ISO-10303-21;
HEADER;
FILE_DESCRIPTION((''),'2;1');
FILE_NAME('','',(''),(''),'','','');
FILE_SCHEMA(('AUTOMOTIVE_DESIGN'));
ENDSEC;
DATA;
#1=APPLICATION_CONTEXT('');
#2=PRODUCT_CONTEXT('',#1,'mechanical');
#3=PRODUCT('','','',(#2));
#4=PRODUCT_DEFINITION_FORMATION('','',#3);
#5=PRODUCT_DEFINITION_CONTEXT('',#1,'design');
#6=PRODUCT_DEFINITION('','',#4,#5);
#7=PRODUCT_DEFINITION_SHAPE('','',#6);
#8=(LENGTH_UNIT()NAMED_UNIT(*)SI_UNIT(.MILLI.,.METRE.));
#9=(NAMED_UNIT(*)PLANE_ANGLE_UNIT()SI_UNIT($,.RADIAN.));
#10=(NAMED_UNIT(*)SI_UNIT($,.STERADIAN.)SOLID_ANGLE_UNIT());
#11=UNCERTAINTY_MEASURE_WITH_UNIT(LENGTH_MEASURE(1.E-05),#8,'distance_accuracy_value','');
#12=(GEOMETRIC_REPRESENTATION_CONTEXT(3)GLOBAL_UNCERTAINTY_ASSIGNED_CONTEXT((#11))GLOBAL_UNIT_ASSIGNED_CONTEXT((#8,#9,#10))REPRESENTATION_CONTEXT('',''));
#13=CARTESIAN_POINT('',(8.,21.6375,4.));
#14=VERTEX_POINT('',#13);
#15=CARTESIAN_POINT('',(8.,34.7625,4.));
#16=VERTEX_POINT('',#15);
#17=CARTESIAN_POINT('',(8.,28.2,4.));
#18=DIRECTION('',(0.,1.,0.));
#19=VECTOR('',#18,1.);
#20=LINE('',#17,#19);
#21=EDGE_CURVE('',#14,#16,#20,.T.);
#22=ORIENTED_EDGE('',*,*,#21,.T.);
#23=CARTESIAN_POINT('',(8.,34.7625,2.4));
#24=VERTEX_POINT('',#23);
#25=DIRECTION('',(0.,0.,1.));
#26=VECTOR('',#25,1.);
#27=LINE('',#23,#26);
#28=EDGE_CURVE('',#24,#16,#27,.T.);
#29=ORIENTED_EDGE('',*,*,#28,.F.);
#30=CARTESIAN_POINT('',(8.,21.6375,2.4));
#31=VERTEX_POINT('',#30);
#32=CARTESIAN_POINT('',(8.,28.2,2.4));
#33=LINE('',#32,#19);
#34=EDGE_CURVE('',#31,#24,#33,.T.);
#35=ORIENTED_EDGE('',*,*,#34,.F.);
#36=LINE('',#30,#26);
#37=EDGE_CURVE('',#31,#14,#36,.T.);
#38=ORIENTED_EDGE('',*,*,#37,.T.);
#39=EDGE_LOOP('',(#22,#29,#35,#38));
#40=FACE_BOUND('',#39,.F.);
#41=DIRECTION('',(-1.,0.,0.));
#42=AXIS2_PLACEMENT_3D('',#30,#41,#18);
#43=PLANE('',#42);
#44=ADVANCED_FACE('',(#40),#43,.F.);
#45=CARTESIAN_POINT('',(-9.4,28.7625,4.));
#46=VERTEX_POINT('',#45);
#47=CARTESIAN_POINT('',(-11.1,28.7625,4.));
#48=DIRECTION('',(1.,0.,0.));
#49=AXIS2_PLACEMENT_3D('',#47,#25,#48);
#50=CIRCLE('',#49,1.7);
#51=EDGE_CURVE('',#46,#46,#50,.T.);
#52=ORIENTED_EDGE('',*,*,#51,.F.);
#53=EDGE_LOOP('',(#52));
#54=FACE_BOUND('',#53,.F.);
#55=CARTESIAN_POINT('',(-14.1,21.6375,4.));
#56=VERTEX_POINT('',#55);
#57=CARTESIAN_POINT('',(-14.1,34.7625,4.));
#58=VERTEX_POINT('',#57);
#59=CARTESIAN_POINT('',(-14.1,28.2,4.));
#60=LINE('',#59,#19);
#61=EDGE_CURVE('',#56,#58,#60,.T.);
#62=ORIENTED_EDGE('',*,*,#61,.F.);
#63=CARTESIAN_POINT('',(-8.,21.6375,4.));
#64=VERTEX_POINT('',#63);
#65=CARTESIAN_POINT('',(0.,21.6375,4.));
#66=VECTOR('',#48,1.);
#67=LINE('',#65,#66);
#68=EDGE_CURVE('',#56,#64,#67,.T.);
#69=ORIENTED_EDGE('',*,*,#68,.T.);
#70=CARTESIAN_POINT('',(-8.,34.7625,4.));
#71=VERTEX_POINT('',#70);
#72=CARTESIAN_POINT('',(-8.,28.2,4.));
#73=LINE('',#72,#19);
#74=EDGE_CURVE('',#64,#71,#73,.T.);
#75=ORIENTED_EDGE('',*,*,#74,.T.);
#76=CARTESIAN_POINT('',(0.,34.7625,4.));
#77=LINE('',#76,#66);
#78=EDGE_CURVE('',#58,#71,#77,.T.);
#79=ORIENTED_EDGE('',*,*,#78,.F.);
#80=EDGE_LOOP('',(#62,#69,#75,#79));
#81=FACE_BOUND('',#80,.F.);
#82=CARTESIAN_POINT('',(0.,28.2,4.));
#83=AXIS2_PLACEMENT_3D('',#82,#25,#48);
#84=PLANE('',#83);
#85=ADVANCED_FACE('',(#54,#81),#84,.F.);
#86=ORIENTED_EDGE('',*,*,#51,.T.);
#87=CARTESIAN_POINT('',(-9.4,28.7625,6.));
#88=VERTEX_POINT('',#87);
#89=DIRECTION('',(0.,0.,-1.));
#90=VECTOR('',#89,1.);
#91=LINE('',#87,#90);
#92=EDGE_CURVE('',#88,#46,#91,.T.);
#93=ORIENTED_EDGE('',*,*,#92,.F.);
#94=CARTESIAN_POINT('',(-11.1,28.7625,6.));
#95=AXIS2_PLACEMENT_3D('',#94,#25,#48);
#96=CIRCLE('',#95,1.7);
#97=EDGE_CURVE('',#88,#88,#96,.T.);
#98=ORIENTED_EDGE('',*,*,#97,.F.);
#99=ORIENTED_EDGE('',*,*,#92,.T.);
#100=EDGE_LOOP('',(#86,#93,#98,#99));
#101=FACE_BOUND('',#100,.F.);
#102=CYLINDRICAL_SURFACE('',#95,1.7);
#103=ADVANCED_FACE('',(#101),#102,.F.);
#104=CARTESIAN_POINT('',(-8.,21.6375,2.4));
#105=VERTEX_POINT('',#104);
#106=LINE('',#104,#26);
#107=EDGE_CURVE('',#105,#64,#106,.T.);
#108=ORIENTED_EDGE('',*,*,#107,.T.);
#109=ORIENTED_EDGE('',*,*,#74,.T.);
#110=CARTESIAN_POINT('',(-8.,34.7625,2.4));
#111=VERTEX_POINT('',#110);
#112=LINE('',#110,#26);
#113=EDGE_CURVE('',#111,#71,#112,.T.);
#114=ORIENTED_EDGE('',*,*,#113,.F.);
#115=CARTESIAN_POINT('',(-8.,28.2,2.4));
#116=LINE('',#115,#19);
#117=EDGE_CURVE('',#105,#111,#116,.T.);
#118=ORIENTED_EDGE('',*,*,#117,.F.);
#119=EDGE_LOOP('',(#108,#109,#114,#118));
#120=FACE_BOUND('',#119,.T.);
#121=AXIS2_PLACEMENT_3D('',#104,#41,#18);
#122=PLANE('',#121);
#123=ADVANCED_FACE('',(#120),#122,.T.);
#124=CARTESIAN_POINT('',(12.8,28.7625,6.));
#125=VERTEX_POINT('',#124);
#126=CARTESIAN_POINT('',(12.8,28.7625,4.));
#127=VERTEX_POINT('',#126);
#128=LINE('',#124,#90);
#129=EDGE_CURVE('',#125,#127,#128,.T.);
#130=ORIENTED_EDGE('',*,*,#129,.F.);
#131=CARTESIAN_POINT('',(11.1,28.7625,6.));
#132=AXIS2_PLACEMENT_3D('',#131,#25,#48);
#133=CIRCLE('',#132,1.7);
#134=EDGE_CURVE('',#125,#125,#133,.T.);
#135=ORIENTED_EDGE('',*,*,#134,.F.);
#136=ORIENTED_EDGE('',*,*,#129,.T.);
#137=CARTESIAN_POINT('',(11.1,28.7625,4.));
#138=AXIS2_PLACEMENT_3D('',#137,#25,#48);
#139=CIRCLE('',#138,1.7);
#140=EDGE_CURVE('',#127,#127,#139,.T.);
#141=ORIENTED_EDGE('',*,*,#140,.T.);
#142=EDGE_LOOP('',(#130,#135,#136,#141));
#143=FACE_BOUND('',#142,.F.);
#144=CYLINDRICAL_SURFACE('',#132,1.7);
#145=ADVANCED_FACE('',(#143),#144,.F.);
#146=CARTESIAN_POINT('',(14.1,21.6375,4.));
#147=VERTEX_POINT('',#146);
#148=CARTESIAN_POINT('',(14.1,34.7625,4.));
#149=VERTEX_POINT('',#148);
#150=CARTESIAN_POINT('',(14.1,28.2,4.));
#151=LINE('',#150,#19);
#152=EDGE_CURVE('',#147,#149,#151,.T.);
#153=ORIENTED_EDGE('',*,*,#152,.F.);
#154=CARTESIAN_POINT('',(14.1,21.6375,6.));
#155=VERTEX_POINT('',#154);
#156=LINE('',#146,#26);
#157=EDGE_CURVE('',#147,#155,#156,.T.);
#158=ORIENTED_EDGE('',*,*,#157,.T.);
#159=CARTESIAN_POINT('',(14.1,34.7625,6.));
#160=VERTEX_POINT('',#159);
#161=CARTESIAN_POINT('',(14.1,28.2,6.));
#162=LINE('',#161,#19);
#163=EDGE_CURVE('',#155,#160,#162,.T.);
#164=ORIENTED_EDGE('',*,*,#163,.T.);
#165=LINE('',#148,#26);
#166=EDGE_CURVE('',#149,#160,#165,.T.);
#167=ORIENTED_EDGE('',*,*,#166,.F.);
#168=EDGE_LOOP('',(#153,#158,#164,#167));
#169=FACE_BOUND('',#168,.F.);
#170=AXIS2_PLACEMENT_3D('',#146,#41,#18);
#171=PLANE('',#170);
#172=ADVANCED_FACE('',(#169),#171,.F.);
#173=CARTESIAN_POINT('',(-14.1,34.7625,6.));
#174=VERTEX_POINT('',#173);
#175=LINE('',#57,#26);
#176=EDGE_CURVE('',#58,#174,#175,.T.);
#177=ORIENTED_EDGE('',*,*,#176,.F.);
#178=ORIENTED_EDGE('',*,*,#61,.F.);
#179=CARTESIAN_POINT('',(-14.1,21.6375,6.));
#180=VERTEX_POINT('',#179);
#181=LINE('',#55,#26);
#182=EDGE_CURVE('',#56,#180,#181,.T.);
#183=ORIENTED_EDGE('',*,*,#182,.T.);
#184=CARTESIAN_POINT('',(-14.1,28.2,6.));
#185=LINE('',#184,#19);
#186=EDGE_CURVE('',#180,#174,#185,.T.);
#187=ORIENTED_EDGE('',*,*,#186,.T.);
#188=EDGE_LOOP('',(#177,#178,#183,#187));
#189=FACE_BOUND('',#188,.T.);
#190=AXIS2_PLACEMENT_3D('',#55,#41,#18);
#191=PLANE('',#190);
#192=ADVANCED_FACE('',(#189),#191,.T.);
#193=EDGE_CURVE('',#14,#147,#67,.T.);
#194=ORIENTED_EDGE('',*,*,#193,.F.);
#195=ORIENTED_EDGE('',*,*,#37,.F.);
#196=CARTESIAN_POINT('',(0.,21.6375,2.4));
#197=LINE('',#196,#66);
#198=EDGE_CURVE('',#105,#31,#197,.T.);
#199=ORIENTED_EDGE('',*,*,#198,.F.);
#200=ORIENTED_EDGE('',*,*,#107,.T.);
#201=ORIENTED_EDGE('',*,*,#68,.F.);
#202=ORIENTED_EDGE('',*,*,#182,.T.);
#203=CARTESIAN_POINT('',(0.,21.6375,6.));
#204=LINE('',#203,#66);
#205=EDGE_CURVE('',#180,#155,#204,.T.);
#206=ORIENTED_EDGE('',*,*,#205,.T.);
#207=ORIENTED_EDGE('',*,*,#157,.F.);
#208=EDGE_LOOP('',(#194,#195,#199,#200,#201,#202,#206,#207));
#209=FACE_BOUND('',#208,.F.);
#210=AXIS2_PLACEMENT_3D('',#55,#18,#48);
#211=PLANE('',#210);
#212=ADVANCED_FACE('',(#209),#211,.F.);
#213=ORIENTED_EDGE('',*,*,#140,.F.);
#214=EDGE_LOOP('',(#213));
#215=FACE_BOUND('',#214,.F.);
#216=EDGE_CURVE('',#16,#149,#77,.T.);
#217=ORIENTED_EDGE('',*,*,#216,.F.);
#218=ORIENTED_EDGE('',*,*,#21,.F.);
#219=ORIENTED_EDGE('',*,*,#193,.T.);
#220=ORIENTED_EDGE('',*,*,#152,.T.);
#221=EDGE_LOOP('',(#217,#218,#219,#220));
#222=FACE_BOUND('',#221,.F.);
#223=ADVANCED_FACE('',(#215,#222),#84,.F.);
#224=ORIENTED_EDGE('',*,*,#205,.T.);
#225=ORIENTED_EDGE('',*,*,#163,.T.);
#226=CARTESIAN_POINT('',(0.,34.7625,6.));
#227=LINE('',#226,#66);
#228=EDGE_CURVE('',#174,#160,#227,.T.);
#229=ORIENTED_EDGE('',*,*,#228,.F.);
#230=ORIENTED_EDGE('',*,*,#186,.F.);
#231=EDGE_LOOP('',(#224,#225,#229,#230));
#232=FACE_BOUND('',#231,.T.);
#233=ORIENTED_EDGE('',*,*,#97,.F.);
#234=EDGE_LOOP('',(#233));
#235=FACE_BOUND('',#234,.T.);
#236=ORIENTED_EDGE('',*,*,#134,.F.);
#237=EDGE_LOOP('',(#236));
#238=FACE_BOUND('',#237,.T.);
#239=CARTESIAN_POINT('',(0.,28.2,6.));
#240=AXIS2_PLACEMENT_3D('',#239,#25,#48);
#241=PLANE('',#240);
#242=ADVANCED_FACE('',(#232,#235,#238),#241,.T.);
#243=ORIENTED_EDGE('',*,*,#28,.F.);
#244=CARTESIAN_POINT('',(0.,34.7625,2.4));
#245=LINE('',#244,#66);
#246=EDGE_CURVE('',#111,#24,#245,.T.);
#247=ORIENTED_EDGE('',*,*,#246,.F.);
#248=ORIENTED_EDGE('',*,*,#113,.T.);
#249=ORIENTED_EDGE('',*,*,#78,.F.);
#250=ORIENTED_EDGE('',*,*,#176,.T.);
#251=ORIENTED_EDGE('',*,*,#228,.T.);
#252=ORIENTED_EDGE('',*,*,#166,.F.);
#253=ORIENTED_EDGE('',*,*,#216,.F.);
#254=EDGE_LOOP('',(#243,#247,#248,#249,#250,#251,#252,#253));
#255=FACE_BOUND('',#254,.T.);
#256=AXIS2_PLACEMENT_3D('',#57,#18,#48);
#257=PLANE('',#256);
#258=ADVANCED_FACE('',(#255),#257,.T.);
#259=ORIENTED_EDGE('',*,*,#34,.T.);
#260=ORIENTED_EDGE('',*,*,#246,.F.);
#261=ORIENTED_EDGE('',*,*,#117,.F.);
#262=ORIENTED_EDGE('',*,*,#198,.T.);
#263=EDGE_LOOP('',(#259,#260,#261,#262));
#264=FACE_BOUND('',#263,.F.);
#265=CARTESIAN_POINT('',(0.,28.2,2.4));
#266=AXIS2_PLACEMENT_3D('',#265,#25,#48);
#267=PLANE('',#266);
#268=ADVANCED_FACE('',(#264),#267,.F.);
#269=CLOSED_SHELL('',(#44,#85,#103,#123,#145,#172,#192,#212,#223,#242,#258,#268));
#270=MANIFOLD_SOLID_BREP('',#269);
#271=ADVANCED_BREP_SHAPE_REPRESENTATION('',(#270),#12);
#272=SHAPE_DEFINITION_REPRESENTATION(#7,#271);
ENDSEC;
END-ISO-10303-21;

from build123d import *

# Parameters (mm, degrees)
SKETCH018_W     = 16
SKETCH018_H     = 13.125
PAD006_DEPTH    = 1.6
SKETCH019_W     = 28.2
SKETCH019_H     = 13.125
PAD007_DEPTH    = 2
SKETCH020_R     = 1.7
POCKET007_DEPTH = 2


with BuildPart() as part:
    # Sketch018 → Pad006 (new body)
    with BuildSketch(Plane.XY):
        with Locations((0, 28.2)):
            Rectangle(SKETCH018_W, SKETCH018_H)
    extrude(amount=PAD006_DEPTH)

    # Sketch019 (on Face6 of Pad006) → Pad007 (join)
    with BuildSketch(Plane.XY.offset(1.6)):
        with Locations((0, 28.2)):
            Rectangle(SKETCH019_W, SKETCH019_H)
    extrude(amount=PAD007_DEPTH)

    # Sketch020 (on Face7 of Pad007) → Pocket007 (cut)
    with BuildSketch(Plane.XY.offset(3.6)):
        with Locations((-11.1, 28.7625)):
            Circle(SKETCH020_R)
        with Locations((11.1, 28.7625)):
            Circle(SKETCH020_R)
    extrude(amount=-POCKET007_DEPTH, mode=Mode.SUBTRACT)


with BuildPart() as part_1:
    # Body003 placement: moved
    add(part.part.moved(Location((0, 0, 2.4))))


solid = part_1.part
